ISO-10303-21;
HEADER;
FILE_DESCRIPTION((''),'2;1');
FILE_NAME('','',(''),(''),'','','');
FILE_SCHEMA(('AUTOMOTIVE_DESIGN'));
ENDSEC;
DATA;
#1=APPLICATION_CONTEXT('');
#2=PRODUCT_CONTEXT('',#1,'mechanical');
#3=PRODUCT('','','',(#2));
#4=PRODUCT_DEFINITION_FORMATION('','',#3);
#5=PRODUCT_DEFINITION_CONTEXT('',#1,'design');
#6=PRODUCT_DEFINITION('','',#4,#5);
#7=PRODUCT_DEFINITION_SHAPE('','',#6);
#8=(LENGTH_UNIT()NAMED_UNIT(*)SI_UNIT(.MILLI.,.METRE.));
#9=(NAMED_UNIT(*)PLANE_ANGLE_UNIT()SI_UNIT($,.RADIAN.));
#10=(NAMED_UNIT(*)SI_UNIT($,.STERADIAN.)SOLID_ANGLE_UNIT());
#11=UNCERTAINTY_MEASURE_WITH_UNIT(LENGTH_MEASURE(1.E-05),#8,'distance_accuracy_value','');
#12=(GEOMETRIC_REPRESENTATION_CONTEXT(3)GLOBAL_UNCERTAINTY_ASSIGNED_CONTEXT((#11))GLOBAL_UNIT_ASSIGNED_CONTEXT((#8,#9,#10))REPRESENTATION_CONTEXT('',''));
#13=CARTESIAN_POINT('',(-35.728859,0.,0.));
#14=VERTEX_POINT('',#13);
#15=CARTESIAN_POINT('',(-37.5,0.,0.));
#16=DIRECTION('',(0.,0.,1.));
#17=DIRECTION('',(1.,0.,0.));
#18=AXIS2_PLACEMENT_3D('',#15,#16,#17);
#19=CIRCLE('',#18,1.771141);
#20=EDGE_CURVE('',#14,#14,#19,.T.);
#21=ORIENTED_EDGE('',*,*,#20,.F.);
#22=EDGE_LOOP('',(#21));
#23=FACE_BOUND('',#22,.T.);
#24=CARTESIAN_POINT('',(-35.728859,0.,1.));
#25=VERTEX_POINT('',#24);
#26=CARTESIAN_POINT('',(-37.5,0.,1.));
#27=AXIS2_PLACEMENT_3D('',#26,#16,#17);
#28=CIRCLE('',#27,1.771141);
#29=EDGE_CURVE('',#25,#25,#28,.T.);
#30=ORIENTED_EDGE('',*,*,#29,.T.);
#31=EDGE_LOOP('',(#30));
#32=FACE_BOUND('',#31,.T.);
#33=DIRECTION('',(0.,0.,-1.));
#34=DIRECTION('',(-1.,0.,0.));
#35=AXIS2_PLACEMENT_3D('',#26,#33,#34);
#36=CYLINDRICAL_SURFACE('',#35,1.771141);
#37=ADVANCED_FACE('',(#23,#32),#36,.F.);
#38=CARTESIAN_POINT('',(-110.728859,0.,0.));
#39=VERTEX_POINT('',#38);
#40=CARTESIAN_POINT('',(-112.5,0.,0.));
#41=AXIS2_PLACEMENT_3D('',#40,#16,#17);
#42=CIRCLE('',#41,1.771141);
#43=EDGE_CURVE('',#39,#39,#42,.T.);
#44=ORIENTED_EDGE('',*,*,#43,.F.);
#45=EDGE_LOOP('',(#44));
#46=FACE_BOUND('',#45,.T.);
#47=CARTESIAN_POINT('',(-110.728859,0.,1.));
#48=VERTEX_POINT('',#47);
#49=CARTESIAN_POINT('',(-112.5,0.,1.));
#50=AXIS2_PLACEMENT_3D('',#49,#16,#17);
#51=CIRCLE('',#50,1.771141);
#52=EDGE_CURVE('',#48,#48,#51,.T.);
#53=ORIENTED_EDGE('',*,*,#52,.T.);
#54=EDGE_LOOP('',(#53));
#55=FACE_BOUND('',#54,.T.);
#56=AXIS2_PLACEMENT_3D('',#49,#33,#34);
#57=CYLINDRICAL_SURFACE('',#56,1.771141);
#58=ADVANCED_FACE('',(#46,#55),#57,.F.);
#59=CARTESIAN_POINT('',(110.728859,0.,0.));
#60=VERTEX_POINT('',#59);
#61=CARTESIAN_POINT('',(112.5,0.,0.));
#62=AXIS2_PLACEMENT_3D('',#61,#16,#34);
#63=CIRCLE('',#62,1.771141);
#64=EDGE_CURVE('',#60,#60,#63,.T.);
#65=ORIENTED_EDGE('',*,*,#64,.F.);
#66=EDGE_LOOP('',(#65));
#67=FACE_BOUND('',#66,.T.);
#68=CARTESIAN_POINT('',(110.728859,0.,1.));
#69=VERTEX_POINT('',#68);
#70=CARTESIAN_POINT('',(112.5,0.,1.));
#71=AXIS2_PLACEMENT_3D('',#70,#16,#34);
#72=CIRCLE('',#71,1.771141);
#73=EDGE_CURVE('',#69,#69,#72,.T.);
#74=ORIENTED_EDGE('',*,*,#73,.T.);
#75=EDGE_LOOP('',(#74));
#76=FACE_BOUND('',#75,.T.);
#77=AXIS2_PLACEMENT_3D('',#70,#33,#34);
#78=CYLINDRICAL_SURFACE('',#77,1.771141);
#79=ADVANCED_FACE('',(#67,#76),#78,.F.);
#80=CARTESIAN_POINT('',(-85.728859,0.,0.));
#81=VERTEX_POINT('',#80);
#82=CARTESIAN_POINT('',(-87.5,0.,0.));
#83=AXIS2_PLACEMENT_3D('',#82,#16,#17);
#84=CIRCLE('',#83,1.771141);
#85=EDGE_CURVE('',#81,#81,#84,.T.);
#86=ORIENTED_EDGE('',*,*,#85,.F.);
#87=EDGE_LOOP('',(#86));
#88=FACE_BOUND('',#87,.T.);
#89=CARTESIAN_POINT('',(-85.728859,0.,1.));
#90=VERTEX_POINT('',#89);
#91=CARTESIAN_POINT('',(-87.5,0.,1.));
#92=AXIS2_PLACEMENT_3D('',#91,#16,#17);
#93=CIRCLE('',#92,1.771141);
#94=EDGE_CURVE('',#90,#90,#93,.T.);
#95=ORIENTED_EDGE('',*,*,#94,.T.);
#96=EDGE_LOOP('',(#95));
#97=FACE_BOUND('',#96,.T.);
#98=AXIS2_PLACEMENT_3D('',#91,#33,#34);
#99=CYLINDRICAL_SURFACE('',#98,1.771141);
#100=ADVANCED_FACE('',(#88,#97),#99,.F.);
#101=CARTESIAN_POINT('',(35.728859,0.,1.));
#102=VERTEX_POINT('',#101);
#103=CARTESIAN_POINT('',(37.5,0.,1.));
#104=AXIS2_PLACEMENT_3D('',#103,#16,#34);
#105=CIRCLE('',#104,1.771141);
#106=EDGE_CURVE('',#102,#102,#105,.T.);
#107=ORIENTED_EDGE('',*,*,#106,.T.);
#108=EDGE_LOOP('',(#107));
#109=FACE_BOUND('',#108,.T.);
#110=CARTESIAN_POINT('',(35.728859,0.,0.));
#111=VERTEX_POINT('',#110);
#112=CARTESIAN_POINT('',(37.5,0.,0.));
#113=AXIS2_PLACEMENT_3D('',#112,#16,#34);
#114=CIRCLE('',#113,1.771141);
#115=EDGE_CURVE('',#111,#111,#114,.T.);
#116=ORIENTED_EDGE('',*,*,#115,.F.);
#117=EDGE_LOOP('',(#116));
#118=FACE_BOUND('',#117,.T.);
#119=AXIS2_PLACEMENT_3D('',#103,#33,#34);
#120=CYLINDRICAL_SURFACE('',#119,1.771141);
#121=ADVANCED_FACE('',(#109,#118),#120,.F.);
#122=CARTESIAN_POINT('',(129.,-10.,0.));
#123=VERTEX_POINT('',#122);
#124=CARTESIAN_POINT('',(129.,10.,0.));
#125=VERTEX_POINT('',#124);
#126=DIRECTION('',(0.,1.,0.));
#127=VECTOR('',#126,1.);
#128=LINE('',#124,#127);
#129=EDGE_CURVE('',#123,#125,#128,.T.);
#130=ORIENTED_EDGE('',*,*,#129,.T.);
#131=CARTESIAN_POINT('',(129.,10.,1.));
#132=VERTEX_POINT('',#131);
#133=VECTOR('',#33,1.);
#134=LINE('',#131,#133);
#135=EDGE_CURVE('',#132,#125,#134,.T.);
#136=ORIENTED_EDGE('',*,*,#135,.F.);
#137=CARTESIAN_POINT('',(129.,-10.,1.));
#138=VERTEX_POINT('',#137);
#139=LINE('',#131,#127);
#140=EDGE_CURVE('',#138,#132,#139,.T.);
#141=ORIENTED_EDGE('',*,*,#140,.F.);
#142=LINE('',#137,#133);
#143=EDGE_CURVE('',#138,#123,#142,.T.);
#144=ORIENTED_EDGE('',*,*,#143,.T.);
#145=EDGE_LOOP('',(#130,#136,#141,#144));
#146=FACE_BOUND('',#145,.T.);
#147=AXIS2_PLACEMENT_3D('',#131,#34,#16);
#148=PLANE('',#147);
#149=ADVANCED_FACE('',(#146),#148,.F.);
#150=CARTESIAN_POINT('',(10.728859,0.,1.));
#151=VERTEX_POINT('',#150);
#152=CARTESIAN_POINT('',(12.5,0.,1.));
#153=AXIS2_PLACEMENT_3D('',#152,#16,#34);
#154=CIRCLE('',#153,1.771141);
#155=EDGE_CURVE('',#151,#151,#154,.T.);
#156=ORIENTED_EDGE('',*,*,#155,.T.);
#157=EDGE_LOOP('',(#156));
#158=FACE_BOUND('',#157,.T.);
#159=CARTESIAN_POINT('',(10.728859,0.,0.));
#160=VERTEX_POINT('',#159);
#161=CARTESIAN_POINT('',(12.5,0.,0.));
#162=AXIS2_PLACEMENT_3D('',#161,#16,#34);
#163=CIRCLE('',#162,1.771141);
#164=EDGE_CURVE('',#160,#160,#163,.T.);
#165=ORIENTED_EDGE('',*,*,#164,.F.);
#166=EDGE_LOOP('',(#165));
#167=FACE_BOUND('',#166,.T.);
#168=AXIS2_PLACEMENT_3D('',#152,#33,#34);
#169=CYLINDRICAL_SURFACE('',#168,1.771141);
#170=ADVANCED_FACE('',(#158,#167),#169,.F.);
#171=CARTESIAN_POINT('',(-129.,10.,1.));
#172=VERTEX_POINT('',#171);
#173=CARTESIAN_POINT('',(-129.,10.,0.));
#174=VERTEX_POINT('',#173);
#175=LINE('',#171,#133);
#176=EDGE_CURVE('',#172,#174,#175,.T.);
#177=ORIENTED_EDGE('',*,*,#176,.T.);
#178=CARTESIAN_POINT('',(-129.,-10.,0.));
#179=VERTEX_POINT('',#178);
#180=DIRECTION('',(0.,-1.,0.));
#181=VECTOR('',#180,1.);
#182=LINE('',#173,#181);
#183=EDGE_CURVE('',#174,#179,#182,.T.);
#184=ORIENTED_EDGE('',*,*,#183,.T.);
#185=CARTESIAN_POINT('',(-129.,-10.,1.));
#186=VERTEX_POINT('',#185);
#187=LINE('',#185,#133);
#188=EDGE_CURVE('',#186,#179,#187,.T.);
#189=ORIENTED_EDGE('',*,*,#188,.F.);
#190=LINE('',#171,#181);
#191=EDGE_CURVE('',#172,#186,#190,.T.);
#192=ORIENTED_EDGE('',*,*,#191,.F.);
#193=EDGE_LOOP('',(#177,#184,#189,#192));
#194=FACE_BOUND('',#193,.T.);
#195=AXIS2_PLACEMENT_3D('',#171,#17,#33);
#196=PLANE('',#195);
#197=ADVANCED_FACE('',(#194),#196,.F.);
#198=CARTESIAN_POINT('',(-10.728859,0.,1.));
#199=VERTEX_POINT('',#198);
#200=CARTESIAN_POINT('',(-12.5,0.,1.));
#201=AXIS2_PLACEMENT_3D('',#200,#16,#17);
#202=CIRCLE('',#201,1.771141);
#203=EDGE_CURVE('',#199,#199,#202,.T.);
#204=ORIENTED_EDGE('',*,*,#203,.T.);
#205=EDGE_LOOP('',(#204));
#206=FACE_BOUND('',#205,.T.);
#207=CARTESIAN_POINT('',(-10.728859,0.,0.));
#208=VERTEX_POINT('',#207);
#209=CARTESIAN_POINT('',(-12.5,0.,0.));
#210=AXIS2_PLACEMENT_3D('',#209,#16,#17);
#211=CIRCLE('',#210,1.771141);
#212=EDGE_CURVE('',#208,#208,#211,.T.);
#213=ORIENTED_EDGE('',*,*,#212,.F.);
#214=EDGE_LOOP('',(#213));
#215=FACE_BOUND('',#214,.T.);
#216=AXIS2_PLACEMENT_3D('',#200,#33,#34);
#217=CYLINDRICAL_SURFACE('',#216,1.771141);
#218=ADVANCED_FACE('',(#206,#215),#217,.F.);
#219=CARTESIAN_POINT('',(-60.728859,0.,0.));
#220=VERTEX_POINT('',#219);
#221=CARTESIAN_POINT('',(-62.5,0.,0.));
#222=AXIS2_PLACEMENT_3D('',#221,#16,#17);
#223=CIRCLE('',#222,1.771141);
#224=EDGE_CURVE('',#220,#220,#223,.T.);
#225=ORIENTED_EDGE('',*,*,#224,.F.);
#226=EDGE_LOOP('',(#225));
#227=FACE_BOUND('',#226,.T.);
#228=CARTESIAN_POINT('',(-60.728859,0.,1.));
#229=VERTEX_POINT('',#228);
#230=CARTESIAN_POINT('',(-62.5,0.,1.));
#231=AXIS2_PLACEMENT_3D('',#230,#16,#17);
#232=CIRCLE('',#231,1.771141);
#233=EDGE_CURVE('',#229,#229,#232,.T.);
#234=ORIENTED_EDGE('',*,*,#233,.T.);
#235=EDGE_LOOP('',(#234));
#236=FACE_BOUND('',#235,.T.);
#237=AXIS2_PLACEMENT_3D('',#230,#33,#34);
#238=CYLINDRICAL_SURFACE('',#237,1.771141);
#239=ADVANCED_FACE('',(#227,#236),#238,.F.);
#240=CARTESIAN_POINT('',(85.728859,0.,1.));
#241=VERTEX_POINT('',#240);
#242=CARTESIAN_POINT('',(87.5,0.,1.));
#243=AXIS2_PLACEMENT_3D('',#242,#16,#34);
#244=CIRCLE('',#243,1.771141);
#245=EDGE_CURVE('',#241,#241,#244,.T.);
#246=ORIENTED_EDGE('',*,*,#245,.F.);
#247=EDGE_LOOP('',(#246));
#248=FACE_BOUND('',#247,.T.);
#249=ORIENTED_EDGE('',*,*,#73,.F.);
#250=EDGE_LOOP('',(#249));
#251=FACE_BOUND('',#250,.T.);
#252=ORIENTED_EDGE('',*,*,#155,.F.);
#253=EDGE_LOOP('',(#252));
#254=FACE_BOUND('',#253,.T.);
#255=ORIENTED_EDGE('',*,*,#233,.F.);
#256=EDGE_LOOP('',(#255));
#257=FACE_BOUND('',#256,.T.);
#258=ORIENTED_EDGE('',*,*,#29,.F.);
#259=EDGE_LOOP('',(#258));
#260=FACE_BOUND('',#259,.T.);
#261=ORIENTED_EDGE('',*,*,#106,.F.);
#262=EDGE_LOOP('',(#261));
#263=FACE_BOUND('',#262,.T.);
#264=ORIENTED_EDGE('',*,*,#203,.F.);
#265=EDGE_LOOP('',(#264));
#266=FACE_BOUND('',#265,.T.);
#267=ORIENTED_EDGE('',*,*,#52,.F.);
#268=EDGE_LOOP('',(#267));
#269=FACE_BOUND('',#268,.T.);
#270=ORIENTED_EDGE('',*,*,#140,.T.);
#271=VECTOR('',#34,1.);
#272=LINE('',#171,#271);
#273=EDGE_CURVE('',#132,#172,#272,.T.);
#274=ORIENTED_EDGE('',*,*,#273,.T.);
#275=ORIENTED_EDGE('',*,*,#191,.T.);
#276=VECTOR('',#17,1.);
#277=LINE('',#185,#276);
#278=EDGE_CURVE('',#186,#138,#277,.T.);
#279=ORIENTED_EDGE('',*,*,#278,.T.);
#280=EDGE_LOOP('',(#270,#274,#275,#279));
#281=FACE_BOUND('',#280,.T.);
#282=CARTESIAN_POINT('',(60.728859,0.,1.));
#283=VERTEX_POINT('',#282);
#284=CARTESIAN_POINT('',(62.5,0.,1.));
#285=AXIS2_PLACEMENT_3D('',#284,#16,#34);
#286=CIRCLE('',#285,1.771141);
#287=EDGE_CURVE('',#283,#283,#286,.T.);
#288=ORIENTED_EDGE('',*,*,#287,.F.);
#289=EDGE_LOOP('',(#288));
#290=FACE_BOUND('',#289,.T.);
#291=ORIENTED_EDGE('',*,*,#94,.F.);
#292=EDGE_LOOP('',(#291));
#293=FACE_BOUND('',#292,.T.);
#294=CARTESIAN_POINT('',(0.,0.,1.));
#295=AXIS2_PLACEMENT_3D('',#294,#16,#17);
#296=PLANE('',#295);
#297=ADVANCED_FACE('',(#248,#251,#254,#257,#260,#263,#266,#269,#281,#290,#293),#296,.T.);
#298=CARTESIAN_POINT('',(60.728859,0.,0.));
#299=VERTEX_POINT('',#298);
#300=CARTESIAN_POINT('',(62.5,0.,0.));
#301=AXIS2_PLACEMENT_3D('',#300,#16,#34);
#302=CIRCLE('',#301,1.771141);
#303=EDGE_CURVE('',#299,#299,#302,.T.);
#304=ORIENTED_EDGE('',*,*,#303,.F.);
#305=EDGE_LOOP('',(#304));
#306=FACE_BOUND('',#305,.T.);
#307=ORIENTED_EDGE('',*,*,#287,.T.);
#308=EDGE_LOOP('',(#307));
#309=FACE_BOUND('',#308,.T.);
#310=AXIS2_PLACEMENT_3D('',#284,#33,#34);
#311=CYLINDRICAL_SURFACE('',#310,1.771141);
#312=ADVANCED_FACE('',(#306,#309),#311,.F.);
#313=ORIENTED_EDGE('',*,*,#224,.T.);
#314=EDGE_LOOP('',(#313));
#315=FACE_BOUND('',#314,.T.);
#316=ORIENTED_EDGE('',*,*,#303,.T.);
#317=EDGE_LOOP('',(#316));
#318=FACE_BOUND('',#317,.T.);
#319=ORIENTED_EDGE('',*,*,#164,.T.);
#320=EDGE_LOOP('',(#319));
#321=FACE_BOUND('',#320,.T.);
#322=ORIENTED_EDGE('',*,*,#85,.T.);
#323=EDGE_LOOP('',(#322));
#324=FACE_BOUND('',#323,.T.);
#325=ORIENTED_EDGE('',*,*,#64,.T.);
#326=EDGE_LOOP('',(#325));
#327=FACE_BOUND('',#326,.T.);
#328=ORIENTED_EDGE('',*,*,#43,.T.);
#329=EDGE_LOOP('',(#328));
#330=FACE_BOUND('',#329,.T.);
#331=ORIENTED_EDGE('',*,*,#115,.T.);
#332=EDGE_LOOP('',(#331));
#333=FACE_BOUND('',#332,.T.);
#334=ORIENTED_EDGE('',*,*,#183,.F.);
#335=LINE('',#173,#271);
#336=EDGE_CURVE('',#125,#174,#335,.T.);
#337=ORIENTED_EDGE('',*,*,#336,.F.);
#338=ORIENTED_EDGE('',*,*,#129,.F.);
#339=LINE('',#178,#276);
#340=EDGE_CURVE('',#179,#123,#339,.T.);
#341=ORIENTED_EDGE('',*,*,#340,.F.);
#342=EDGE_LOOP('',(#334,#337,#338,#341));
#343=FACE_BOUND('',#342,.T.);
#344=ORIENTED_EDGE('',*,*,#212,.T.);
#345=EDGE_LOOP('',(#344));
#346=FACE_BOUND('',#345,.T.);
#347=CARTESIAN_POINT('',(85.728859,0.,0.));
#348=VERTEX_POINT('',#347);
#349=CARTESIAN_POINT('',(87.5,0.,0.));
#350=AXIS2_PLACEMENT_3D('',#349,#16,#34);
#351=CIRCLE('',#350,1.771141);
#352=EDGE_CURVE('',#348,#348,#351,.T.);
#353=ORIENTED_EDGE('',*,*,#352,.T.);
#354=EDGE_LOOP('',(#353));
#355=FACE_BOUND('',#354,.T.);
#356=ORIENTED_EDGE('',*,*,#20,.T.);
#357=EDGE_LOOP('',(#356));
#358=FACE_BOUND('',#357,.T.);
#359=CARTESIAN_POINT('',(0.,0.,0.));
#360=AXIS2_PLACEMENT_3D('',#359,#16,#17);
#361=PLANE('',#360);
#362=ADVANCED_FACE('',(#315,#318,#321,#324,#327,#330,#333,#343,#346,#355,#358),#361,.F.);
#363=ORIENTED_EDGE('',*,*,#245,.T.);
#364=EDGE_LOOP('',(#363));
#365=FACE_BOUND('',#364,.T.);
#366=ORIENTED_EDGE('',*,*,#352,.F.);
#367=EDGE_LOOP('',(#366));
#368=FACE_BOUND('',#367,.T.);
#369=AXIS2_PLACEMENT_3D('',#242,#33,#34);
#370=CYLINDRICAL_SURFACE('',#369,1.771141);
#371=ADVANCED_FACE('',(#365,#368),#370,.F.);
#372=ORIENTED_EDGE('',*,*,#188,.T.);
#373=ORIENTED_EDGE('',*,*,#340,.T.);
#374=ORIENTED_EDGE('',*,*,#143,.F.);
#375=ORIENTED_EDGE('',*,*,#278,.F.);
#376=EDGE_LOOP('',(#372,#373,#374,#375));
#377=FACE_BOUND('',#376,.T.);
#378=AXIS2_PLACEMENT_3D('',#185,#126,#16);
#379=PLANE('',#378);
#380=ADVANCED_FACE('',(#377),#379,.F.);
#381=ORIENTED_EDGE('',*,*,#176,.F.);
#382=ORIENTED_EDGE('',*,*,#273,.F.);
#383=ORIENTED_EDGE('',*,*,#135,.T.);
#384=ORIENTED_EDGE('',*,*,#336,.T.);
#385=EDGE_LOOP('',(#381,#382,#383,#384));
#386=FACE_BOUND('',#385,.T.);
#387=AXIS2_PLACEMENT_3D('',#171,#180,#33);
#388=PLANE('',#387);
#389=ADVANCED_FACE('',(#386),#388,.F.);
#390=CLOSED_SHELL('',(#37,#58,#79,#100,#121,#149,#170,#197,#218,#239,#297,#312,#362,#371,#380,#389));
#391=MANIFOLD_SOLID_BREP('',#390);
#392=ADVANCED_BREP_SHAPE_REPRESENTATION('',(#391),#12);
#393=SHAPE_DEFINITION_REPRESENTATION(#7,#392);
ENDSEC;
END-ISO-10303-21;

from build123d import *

# Parameters (mm, degrees)
SKETCH_1_W      = 258
SKETCH_1_H      = 20
SKETCH_1_R      = 1.771140708
EXTRUDE_1_DEPTH = 1


with BuildPart() as part:
    # 스케치1 → 보스-돌출1 (new body)
    with BuildSketch(Plane.XY):
        Rectangle(SKETCH_1_W, SKETCH_1_H)
        with Locations((-12.5, 0)):
            Circle(SKETCH_1_R, mode=Mode.SUBTRACT)
        with Locations((-37.5, 0)):
            Circle(SKETCH_1_R, mode=Mode.SUBTRACT)
        with Locations((-62.5, 0)):
            Circle(SKETCH_1_R, mode=Mode.SUBTRACT)
        with Locations((-87.5, 0)):
            Circle(SKETCH_1_R, mode=Mode.SUBTRACT)
        with Locations((-112.5, 0)):
            Circle(SKETCH_1_R, mode=Mode.SUBTRACT)
        with Locations(Location((112.5, 0, 0), (0, 0, 180))):
            Circle(SKETCH_1_R, mode=Mode.SUBTRACT)
        with Locations(Location((87.5, 0, 0), (0, 0, 180))):
            Circle(SKETCH_1_R, mode=Mode.SUBTRACT)
        with Locations(Location((62.5, 0, 0), (0, 0, 180))):
            Circle(SKETCH_1_R, mode=Mode.SUBTRACT)
        with Locations(Location((37.5, 0, 0), (0, 0, 180))):
            Circle(SKETCH_1_R, mode=Mode.SUBTRACT)
        with Locations(Location((12.5, 0, 0), (0, 0, 180))):
            Circle(SKETCH_1_R, mode=Mode.SUBTRACT)
    extrude(amount=EXTRUDE_1_DEPTH)


solid = part.part
